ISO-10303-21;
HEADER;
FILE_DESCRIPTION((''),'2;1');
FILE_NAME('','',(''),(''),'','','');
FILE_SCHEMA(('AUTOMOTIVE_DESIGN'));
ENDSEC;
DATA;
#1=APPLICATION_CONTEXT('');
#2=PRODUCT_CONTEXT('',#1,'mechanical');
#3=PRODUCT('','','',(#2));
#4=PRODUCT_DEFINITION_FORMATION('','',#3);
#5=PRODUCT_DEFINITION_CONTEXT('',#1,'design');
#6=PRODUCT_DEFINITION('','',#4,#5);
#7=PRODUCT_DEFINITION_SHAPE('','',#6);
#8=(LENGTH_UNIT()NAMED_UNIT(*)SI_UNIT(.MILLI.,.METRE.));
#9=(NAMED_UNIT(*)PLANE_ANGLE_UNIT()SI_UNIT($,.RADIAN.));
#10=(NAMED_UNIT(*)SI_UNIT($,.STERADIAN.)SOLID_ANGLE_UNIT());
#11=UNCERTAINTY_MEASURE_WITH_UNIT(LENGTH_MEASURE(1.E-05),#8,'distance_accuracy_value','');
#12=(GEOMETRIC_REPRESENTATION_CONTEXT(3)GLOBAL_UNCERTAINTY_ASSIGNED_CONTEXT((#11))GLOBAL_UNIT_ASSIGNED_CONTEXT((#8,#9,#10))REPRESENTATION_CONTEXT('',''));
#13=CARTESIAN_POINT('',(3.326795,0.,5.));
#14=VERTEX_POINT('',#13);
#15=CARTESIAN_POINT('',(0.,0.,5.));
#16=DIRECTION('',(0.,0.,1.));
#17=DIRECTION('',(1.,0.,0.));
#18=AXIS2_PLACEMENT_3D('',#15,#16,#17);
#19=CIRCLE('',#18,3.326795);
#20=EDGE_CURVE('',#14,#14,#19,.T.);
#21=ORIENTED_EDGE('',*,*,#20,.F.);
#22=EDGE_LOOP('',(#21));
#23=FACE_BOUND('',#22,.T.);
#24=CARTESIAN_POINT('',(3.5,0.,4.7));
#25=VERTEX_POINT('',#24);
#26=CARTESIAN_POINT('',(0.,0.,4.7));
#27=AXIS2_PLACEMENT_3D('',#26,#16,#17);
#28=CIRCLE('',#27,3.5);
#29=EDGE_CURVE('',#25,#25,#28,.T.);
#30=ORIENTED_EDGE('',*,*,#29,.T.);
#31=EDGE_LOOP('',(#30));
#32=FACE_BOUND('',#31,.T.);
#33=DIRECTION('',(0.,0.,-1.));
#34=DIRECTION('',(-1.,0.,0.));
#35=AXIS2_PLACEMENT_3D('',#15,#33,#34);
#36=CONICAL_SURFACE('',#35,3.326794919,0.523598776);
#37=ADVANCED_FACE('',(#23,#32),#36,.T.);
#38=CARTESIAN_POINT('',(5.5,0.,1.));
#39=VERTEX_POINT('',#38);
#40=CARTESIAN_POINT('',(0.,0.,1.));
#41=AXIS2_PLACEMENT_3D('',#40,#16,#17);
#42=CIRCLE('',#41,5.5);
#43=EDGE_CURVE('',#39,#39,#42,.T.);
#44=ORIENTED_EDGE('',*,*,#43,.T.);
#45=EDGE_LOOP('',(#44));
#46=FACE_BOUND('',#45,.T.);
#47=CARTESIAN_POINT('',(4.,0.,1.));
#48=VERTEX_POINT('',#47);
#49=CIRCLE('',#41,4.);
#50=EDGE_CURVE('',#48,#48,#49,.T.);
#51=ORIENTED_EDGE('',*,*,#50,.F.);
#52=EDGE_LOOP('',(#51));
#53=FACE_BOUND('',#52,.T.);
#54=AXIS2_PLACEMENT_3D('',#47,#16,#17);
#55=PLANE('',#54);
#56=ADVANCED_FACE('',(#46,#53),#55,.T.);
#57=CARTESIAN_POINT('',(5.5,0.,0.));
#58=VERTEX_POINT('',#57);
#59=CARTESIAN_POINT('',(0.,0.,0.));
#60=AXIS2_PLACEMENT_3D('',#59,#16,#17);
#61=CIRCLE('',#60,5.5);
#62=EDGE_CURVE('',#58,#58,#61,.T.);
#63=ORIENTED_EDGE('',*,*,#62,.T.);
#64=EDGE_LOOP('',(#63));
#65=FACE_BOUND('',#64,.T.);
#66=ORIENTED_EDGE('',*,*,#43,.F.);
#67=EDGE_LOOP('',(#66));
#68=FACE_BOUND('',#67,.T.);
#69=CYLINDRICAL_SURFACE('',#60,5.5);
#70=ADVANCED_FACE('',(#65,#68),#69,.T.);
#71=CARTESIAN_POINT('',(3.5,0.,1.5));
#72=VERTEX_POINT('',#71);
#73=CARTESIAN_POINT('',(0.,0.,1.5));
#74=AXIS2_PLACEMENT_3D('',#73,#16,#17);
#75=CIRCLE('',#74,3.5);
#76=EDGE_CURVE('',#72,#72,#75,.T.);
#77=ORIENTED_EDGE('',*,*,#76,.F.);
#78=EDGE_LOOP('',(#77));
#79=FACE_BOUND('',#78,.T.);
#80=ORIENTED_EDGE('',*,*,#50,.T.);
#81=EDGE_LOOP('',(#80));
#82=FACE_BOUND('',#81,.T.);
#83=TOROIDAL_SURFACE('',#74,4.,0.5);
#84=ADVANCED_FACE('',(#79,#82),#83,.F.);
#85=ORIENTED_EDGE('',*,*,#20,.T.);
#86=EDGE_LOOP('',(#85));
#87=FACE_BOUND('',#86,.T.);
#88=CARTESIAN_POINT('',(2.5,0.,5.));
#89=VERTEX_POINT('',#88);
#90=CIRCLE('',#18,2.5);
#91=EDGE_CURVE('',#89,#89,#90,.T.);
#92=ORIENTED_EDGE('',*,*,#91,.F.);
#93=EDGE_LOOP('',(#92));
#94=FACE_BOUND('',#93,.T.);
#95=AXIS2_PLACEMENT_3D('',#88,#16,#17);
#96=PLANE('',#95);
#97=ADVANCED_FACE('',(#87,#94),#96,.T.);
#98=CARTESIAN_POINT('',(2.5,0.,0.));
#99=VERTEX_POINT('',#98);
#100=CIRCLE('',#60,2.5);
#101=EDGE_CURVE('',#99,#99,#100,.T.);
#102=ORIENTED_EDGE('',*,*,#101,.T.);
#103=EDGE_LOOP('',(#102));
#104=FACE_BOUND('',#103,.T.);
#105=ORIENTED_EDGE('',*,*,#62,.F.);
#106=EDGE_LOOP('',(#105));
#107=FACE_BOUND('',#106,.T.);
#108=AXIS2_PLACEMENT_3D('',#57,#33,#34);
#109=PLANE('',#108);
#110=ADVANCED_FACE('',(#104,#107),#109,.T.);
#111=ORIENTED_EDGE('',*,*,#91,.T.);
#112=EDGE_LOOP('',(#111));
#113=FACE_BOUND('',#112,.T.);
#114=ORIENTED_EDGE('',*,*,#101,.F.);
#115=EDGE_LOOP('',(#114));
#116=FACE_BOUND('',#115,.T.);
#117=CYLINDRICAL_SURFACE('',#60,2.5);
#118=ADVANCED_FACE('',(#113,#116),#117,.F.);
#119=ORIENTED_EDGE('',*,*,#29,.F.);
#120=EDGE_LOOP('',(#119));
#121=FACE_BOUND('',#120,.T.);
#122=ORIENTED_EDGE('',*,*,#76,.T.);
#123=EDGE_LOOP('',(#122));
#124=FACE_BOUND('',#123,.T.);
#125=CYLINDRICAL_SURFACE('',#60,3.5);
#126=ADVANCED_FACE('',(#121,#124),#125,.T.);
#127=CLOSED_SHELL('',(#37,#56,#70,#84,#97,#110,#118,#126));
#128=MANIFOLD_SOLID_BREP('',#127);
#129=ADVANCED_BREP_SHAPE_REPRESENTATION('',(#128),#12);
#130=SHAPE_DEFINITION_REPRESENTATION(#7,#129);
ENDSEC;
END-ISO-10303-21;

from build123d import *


with BuildPart() as part:
    # Sketch1 → Revolve1 (revolve)
    with BuildSketch(Plane(origin=(0, 0, 0), x_dir=(1, 0, 0), z_dir=(0, 1, 0))):
        with BuildLine():
            Line((3.5, -4.7), (3.5, -1.5))
            ThreePointArc((3.5, -1.5), (3.646446609, -1.146446609), (4, -1))
            Line((4, -1), (5.5, -1))
            Line((5.5, -1), (5.5, 0))
            Line((5.5, 0), (2.5, 0))
            Line((2.5, 0), (2.5, -5))
            Line((2.5, -5), (3.326794919, -5))
            Line((3.326794919, -5), (3.5, -4.7))
        make_face()
    revolve(axis=Axis((0, 0, 0), (0, 0, 1)))


solid = part.part
